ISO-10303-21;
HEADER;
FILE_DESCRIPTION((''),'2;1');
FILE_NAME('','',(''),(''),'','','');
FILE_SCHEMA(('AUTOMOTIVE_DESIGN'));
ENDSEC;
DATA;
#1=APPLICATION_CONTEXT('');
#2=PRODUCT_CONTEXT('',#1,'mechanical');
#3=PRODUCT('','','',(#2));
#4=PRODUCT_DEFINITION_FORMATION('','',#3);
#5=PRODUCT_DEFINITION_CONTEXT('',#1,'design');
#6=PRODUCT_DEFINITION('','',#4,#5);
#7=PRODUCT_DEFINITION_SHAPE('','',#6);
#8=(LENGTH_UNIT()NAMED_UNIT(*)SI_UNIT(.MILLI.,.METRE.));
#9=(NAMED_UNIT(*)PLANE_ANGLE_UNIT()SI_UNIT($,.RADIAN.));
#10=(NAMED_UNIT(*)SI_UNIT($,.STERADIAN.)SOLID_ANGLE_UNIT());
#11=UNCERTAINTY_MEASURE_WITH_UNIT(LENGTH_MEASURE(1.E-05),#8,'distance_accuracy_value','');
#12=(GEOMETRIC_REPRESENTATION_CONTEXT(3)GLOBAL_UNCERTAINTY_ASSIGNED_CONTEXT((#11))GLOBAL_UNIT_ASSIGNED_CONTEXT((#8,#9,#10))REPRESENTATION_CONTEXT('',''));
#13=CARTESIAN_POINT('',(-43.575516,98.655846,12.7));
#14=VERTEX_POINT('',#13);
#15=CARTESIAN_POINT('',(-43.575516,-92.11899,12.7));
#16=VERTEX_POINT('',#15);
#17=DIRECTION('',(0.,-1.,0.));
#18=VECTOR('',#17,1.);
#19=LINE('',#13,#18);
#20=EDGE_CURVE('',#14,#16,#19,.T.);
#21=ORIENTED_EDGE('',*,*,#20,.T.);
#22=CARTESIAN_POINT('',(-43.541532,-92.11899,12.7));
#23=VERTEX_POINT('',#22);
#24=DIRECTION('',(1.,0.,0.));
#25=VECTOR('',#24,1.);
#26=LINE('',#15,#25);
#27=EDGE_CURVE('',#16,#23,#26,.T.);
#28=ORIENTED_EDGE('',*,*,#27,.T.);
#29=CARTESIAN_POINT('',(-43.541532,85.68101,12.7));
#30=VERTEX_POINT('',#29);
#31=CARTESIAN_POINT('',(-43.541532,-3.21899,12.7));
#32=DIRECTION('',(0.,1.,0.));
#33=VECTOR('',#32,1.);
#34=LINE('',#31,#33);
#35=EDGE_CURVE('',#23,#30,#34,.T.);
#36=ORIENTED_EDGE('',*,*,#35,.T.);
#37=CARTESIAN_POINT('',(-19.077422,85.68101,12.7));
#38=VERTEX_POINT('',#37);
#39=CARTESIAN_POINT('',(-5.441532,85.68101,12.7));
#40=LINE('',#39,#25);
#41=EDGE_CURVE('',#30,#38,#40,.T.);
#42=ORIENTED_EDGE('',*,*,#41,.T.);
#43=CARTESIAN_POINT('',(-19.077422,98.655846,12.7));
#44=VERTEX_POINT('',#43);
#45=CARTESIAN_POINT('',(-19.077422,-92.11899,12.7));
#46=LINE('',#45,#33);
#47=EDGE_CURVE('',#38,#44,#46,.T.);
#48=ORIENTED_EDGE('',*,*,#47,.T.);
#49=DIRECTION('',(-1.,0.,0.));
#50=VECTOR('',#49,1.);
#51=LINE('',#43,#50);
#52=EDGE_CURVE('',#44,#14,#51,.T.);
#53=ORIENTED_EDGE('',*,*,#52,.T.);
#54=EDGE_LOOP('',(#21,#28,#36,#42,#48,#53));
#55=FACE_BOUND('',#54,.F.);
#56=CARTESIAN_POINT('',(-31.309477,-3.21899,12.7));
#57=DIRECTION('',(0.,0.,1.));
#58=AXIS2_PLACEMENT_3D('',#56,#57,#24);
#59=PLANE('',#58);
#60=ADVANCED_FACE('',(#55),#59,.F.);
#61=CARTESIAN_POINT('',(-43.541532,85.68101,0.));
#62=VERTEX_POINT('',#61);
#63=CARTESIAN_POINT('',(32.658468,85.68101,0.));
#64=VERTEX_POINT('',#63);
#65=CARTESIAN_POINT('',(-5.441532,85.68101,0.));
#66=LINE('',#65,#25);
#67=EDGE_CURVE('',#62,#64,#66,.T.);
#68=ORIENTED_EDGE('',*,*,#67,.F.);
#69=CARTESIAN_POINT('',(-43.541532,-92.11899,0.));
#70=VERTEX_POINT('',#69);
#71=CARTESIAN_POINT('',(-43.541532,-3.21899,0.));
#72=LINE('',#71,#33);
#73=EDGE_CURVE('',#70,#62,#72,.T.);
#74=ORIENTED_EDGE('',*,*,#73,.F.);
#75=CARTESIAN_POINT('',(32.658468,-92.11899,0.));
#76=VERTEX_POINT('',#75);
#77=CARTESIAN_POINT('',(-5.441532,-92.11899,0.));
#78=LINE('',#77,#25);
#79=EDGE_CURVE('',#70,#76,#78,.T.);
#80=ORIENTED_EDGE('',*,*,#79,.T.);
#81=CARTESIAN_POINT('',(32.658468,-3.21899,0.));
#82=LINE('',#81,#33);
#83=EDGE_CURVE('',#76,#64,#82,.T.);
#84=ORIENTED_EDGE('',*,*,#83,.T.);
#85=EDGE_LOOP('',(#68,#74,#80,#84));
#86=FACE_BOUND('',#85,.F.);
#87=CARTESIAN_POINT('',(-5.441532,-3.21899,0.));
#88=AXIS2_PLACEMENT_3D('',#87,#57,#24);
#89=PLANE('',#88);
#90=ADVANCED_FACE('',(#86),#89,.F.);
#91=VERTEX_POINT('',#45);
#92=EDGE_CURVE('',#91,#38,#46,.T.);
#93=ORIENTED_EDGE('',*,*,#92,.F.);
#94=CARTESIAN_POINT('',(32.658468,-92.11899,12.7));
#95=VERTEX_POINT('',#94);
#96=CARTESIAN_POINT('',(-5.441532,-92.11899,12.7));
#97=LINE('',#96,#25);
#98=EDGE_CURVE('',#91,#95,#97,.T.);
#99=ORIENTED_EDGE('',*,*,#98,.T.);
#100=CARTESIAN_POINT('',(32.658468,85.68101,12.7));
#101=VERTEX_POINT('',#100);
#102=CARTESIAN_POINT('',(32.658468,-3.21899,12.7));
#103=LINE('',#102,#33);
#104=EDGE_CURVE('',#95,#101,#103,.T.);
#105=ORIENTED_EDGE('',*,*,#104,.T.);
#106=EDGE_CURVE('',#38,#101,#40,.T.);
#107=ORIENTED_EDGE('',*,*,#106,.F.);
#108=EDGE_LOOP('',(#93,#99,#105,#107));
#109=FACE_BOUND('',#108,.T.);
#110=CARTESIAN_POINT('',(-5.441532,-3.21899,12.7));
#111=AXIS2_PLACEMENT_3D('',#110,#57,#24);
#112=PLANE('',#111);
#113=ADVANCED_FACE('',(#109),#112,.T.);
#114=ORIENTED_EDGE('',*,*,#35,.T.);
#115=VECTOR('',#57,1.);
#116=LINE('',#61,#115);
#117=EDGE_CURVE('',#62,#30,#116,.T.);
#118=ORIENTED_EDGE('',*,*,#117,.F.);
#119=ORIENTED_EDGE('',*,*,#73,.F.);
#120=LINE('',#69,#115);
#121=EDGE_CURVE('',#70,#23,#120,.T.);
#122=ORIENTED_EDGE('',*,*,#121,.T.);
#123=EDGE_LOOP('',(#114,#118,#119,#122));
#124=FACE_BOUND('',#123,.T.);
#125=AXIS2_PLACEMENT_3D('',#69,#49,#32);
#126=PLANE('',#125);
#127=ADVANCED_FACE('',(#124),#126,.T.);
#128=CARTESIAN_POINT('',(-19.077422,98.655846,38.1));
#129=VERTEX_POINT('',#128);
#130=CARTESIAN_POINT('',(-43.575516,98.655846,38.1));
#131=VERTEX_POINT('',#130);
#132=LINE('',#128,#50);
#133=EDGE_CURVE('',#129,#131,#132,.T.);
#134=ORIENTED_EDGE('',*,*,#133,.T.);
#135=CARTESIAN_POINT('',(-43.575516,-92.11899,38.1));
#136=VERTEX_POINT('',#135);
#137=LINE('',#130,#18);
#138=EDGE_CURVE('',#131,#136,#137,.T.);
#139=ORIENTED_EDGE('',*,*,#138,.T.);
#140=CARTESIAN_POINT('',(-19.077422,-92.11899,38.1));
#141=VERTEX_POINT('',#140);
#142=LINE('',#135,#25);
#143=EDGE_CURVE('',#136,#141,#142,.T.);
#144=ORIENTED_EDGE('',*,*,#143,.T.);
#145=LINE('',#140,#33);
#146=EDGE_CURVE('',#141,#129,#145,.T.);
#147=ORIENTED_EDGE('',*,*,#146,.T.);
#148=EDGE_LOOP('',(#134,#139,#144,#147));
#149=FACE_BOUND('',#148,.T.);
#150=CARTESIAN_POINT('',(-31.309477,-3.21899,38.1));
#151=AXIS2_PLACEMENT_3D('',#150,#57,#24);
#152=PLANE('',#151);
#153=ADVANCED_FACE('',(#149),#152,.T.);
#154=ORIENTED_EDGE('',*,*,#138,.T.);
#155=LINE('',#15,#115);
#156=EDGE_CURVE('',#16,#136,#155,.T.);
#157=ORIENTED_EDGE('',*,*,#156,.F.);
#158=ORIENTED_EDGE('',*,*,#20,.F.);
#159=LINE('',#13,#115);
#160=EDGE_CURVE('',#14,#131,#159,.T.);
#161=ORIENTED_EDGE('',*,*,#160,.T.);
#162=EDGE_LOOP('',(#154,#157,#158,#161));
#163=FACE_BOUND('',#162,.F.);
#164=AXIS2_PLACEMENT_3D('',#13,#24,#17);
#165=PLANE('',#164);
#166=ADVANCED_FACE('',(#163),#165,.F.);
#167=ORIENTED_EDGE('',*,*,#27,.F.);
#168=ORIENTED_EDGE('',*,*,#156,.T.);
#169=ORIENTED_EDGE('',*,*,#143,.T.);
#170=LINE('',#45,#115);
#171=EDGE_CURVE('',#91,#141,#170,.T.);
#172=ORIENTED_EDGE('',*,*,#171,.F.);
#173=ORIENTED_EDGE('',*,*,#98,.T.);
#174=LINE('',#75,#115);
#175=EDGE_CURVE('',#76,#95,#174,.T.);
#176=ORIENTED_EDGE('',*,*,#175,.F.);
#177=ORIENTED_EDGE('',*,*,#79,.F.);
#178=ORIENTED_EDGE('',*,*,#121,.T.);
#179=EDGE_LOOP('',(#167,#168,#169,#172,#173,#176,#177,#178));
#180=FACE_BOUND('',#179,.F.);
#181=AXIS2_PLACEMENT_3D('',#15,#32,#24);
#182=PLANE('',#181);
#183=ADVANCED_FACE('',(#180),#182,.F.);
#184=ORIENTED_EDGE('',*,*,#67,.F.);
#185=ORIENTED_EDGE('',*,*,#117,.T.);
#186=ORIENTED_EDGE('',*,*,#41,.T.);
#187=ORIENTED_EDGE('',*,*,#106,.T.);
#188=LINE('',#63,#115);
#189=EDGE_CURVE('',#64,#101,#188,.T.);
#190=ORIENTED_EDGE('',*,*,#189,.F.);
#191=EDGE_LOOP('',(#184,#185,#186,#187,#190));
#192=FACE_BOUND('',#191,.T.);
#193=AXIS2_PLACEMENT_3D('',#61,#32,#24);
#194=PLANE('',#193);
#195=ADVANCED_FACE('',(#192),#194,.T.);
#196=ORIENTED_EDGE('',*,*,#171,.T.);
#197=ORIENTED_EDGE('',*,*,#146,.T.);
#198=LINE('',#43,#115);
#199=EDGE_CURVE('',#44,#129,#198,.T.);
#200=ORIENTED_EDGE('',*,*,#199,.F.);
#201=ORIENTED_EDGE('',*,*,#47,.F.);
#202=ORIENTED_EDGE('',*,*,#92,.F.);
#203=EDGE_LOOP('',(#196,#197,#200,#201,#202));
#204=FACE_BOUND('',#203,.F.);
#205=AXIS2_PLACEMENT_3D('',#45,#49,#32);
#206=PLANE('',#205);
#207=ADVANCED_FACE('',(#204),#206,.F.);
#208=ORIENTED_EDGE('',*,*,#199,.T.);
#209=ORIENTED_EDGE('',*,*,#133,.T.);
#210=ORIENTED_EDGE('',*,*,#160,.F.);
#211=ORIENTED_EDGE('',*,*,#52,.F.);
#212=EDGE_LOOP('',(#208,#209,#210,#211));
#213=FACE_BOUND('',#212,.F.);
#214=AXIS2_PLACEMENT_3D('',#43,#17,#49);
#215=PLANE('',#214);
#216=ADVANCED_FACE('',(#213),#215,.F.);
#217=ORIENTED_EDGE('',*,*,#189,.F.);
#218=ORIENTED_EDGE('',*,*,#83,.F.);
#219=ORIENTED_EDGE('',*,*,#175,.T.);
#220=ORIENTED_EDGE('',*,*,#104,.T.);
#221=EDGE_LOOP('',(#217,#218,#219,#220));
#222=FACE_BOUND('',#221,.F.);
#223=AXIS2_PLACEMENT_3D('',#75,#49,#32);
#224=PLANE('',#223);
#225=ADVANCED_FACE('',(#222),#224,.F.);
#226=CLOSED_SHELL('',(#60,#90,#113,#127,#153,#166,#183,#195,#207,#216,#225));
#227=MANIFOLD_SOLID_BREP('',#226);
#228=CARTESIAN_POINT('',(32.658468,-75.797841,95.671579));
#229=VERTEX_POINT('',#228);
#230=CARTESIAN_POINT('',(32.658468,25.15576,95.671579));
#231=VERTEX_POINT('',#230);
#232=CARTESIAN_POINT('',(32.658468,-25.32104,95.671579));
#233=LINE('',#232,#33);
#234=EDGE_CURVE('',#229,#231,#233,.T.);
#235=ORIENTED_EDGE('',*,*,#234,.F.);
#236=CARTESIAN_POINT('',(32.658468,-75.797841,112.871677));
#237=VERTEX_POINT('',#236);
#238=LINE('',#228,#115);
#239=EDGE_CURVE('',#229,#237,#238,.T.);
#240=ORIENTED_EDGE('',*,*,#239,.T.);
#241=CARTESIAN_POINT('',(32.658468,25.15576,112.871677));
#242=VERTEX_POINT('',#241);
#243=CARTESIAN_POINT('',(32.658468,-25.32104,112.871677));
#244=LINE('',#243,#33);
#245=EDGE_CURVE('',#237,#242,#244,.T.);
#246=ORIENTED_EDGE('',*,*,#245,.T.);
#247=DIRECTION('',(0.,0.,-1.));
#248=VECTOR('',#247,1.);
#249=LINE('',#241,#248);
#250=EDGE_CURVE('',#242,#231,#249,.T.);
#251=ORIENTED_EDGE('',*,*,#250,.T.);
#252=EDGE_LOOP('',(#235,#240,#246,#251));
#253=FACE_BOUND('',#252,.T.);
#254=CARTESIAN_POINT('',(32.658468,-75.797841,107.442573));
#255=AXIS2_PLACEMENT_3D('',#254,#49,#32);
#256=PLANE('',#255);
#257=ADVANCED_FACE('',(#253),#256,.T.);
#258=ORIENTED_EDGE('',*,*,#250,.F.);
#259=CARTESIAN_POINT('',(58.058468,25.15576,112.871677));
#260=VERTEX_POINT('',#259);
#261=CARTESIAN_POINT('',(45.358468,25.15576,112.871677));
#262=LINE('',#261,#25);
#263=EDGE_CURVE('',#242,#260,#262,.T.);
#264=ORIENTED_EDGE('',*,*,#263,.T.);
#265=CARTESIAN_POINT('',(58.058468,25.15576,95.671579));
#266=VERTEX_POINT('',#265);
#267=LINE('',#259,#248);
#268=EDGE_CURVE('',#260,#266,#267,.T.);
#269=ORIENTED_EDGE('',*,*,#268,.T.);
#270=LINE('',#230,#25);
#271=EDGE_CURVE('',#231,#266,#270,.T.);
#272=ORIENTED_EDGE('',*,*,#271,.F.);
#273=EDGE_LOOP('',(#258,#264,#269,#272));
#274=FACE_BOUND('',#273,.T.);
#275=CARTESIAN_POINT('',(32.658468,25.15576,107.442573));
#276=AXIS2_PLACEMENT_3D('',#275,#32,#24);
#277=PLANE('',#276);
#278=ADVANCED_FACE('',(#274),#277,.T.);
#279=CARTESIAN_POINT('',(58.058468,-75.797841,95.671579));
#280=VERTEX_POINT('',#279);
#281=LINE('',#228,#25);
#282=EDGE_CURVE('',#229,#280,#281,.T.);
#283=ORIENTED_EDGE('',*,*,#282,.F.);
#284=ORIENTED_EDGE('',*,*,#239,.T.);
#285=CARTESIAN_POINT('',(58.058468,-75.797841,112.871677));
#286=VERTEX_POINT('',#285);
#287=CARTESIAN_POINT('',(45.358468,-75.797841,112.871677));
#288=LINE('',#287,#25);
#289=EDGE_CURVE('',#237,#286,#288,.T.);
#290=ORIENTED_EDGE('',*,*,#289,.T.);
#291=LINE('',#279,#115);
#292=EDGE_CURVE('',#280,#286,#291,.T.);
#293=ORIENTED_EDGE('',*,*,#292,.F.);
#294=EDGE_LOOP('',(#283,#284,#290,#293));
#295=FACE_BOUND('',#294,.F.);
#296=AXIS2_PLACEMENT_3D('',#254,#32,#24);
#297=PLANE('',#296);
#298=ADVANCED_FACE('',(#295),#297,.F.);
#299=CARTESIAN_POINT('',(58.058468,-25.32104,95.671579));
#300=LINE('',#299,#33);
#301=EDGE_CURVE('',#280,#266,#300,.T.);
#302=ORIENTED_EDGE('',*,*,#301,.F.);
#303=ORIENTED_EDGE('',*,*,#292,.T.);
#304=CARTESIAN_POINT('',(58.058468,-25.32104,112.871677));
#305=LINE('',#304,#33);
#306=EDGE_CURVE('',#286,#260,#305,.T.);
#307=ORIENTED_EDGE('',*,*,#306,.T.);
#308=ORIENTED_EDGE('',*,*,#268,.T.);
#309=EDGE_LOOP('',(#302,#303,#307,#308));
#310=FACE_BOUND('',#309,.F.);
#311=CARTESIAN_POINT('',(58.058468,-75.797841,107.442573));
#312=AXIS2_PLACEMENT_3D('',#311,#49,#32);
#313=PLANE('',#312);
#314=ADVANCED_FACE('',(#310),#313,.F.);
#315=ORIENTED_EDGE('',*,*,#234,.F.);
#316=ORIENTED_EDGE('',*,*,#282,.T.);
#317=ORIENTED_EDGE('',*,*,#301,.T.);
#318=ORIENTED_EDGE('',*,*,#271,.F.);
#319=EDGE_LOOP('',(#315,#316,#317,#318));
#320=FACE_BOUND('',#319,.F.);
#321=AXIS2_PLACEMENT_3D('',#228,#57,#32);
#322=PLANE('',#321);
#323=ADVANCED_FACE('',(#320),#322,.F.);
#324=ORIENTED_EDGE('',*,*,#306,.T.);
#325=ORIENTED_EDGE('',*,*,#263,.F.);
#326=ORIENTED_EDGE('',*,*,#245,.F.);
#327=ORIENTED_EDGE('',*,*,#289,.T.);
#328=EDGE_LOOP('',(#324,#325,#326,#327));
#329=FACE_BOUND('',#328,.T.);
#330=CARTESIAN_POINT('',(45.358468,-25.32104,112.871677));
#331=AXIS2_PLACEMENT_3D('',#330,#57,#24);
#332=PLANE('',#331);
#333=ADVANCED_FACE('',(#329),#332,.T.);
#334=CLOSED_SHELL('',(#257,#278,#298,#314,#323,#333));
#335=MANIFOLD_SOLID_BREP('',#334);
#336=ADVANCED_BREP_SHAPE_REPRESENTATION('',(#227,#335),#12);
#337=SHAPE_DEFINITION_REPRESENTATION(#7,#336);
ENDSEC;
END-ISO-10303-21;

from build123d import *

# Parameters (mm, degrees)
F0_W     = 76.2
F0_H     = 177.8
F1_DEPTH = 12.7
F3_DEPTH = 25.4
F4_W     = 100.9536013007
F4_H     = 11.7709934711
F5_DEPTH = 25.4
F6_W     = 25.4
F6_H     = 100.9536013007
F7_DEPTH = 5.4291039705


with BuildPart() as f1:
    # F0 (on Top) → F1 (new body)
    with BuildSketch(Plane.XY):
        with Locations((-5.4415319678, -3.2189898193)):
            Rectangle(F0_W, F0_H)
    extrude(amount=F1_DEPTH)

    # F2 (on face) → F3 (join)
    with BuildSketch(Plane.XY.offset(12.7)):
        Polygon((-43.5415319678, -92.1189898193), (-19.0774220973, -92.1189898193), (-19.0774220973, 42.8526476026), (-19.0774220973, 85.6810101807), (-43.5415319678, 85.6810101807), align=None)
        Polygon((-43.5755159706, -92.1189898193), (-19.0774220973, -92.1189898193), (-19.0774220973, 42.8526476026), (-19.0774220973, 96.1600020528), (-19.0774220973, 98.655846113), (-43.5755159706, 98.655846113), align=None)
    extrude(amount=F3_DEPTH)


with BuildPart() as f5:
    # F4 (on face) → F5 (new body)
    with BuildSketch(Plane.YZ.offset(32.6584680322)):
        with Locations((-25.3210403025, 101.5570759773)):
            Rectangle(F4_W, F4_H)
    extrude(amount=F5_DEPTH)

    # F6 (on face) → F7 (join)
    with BuildSketch(Plane.XY.offset(107.4425727129)):
        with Locations((45.3584680322, -25.3210403025)):
            Rectangle(F6_W, F6_H)
    extrude(amount=F7_DEPTH)


solid = Compound([f1.part, f5.part])
